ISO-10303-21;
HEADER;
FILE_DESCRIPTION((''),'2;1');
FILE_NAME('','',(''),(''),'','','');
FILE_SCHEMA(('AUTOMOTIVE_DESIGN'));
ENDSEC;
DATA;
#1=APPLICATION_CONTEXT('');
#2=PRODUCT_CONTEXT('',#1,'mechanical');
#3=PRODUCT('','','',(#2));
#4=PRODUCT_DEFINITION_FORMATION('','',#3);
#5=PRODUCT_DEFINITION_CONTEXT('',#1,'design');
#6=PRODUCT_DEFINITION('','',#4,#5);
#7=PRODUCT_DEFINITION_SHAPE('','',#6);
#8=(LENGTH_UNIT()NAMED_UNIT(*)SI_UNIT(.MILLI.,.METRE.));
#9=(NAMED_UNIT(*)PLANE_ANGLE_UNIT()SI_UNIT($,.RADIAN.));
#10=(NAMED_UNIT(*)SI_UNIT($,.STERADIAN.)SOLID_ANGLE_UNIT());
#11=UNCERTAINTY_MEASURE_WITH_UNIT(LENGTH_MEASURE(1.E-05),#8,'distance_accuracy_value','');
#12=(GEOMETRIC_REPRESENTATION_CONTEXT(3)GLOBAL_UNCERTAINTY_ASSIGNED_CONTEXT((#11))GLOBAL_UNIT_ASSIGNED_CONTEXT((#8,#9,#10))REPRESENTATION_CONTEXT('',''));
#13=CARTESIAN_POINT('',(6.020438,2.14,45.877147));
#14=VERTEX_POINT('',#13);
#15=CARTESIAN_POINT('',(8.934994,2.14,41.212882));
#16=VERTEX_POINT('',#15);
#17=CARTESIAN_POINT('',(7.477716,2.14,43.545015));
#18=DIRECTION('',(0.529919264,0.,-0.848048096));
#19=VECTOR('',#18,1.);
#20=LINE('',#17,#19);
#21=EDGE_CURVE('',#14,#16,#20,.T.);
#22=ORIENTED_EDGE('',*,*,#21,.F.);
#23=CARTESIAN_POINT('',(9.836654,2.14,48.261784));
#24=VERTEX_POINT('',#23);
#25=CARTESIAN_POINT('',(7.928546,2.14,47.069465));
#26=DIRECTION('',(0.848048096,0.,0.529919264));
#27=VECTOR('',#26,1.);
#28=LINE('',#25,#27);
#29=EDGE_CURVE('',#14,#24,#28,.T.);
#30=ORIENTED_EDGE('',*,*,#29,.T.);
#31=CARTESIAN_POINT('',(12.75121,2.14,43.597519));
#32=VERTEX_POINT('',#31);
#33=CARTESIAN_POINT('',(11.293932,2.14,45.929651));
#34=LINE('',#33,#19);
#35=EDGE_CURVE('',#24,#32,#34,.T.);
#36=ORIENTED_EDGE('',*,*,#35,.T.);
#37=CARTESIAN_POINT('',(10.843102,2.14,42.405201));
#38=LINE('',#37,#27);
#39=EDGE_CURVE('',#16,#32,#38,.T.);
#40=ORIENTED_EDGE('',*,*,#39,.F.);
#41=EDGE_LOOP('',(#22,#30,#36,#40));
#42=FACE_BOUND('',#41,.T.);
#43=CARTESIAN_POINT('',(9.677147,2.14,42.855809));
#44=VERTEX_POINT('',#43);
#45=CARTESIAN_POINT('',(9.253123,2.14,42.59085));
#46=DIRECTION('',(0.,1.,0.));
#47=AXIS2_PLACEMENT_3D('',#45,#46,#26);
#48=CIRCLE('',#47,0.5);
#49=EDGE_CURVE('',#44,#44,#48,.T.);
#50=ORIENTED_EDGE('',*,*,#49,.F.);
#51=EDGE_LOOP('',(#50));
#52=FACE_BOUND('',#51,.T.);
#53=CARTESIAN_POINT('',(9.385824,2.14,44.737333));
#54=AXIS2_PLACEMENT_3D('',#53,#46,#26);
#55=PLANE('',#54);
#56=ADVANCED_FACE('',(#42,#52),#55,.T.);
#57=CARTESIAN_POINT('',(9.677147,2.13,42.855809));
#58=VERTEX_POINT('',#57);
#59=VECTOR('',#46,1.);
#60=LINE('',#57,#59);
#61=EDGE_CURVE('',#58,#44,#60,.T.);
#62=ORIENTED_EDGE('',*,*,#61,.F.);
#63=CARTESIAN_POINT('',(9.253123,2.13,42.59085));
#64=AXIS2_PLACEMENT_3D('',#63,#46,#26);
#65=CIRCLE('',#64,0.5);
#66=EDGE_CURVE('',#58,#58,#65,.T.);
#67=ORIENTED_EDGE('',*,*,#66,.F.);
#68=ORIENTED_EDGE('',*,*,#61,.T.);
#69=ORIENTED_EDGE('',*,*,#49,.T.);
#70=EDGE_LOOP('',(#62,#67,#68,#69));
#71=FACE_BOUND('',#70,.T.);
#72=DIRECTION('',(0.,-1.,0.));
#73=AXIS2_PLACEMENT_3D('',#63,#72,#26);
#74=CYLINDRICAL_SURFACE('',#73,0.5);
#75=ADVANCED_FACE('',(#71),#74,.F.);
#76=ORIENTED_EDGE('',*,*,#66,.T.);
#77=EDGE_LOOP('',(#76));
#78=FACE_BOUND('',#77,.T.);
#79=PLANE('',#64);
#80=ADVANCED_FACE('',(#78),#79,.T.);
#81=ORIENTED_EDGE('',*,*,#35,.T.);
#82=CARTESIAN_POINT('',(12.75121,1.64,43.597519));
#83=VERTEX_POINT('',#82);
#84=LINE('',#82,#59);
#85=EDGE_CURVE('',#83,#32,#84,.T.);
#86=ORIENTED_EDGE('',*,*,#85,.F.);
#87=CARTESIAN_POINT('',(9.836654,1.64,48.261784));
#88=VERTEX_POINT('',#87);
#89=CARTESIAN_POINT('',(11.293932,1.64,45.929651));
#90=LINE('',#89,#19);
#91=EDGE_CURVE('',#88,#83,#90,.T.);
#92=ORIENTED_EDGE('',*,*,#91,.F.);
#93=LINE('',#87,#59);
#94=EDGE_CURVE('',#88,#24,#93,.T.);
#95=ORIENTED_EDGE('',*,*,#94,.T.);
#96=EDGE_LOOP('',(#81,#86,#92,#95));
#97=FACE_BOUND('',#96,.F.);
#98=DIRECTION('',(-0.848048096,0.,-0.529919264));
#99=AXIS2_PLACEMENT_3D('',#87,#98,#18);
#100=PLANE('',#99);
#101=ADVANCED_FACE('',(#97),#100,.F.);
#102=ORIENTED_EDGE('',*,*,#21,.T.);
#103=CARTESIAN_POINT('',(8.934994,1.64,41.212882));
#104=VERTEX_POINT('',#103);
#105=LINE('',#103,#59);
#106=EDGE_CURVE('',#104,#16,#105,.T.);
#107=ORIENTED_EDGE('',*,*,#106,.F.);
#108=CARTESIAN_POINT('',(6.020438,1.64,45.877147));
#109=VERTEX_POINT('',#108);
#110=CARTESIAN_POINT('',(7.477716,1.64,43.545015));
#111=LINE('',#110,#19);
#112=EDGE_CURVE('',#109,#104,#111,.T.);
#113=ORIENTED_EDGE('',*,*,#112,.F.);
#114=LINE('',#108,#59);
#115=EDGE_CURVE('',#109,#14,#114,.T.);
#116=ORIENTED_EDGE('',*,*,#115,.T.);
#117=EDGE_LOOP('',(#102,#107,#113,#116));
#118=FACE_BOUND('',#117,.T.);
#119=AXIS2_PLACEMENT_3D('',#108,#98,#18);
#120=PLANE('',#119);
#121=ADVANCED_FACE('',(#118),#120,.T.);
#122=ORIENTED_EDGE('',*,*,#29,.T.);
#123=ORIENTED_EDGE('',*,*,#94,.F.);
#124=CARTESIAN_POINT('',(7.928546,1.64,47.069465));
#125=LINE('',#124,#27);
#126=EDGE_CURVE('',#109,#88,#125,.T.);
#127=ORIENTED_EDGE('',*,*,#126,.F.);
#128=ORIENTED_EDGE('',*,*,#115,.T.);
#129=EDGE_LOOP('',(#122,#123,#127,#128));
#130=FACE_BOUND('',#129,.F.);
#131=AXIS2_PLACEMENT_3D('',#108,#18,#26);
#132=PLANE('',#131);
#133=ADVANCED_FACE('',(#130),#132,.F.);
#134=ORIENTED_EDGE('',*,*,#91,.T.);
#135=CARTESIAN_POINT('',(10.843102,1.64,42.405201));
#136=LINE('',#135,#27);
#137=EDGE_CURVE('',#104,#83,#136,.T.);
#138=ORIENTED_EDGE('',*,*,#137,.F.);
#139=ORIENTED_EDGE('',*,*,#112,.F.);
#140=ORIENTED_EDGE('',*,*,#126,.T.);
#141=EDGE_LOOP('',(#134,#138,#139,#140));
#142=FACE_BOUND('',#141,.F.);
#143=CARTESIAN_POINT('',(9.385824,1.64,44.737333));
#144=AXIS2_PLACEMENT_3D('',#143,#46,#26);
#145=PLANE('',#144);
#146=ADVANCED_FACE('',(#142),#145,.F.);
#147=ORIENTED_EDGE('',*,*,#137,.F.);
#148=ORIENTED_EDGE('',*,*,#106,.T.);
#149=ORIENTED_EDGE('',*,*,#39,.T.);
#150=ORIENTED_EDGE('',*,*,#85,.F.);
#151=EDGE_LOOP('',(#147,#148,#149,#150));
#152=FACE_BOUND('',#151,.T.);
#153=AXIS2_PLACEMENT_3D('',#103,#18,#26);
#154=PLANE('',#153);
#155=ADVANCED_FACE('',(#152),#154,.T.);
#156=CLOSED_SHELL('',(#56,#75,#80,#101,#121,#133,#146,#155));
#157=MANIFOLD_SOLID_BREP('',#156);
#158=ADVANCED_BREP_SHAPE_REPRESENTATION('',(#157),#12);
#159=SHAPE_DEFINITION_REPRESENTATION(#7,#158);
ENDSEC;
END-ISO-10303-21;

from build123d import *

# Parameters (mm, degrees)
CYLINDER071_R      = 0.5
CYLINDER071_DEPTH  = 0.01
BOX156_W           = 4.5
BOX156_H           = 5.5
BOX156_DEPTH       = 0.5
CUT075_ROLL_ANGLE  = -90
CUT075_PITCH_ANGLE = -32


with BuildPart() as cylinder071:
    # Cylinder071 → Cylinder071 (new body)
    with BuildSketch(Plane(origin=(1, 4.5, 0.49), x_dir=(1, 0, 0), z_dir=(0, 0, 1))):
        Circle(CYLINDER071_R)
    extrude(amount=CYLINDER071_DEPTH)


with BuildPart() as small_linbo3_plate072:
    # Box156 → Box156 (new body)
    with BuildSketch(Plane.XY):
        with Locations((2.25, 2.75)):
            Rectangle(BOX156_W, BOX156_H)
    extrude(amount=BOX156_DEPTH)

    # Cut075: cut Cylinder071
    add(cylinder071.part, mode=Mode.SUBTRACT)


with BuildPart() as small_linbo3_plate072_1:
    # Cut075 roll: moved
    add(small_linbo3_plate072.part.rotate(Axis((0, 0, 0), (1, 0, 0)), CUT075_ROLL_ANGLE))


with BuildPart() as small_linbo3_plate072_2:
    # Cut075 pitch: moved
    add(small_linbo3_plate072_1.part.rotate(Axis((0, 0, 0), (0, 1, 0)), CUT075_PITCH_ANGLE))


with BuildPart() as small_linbo3_plate072_3:
    # Cut075 placement: moved
    add(small_linbo3_plate072_2.part.moved(Location((6.020438, 1.64, 45.877147))))


solid = small_linbo3_plate072_3.part
